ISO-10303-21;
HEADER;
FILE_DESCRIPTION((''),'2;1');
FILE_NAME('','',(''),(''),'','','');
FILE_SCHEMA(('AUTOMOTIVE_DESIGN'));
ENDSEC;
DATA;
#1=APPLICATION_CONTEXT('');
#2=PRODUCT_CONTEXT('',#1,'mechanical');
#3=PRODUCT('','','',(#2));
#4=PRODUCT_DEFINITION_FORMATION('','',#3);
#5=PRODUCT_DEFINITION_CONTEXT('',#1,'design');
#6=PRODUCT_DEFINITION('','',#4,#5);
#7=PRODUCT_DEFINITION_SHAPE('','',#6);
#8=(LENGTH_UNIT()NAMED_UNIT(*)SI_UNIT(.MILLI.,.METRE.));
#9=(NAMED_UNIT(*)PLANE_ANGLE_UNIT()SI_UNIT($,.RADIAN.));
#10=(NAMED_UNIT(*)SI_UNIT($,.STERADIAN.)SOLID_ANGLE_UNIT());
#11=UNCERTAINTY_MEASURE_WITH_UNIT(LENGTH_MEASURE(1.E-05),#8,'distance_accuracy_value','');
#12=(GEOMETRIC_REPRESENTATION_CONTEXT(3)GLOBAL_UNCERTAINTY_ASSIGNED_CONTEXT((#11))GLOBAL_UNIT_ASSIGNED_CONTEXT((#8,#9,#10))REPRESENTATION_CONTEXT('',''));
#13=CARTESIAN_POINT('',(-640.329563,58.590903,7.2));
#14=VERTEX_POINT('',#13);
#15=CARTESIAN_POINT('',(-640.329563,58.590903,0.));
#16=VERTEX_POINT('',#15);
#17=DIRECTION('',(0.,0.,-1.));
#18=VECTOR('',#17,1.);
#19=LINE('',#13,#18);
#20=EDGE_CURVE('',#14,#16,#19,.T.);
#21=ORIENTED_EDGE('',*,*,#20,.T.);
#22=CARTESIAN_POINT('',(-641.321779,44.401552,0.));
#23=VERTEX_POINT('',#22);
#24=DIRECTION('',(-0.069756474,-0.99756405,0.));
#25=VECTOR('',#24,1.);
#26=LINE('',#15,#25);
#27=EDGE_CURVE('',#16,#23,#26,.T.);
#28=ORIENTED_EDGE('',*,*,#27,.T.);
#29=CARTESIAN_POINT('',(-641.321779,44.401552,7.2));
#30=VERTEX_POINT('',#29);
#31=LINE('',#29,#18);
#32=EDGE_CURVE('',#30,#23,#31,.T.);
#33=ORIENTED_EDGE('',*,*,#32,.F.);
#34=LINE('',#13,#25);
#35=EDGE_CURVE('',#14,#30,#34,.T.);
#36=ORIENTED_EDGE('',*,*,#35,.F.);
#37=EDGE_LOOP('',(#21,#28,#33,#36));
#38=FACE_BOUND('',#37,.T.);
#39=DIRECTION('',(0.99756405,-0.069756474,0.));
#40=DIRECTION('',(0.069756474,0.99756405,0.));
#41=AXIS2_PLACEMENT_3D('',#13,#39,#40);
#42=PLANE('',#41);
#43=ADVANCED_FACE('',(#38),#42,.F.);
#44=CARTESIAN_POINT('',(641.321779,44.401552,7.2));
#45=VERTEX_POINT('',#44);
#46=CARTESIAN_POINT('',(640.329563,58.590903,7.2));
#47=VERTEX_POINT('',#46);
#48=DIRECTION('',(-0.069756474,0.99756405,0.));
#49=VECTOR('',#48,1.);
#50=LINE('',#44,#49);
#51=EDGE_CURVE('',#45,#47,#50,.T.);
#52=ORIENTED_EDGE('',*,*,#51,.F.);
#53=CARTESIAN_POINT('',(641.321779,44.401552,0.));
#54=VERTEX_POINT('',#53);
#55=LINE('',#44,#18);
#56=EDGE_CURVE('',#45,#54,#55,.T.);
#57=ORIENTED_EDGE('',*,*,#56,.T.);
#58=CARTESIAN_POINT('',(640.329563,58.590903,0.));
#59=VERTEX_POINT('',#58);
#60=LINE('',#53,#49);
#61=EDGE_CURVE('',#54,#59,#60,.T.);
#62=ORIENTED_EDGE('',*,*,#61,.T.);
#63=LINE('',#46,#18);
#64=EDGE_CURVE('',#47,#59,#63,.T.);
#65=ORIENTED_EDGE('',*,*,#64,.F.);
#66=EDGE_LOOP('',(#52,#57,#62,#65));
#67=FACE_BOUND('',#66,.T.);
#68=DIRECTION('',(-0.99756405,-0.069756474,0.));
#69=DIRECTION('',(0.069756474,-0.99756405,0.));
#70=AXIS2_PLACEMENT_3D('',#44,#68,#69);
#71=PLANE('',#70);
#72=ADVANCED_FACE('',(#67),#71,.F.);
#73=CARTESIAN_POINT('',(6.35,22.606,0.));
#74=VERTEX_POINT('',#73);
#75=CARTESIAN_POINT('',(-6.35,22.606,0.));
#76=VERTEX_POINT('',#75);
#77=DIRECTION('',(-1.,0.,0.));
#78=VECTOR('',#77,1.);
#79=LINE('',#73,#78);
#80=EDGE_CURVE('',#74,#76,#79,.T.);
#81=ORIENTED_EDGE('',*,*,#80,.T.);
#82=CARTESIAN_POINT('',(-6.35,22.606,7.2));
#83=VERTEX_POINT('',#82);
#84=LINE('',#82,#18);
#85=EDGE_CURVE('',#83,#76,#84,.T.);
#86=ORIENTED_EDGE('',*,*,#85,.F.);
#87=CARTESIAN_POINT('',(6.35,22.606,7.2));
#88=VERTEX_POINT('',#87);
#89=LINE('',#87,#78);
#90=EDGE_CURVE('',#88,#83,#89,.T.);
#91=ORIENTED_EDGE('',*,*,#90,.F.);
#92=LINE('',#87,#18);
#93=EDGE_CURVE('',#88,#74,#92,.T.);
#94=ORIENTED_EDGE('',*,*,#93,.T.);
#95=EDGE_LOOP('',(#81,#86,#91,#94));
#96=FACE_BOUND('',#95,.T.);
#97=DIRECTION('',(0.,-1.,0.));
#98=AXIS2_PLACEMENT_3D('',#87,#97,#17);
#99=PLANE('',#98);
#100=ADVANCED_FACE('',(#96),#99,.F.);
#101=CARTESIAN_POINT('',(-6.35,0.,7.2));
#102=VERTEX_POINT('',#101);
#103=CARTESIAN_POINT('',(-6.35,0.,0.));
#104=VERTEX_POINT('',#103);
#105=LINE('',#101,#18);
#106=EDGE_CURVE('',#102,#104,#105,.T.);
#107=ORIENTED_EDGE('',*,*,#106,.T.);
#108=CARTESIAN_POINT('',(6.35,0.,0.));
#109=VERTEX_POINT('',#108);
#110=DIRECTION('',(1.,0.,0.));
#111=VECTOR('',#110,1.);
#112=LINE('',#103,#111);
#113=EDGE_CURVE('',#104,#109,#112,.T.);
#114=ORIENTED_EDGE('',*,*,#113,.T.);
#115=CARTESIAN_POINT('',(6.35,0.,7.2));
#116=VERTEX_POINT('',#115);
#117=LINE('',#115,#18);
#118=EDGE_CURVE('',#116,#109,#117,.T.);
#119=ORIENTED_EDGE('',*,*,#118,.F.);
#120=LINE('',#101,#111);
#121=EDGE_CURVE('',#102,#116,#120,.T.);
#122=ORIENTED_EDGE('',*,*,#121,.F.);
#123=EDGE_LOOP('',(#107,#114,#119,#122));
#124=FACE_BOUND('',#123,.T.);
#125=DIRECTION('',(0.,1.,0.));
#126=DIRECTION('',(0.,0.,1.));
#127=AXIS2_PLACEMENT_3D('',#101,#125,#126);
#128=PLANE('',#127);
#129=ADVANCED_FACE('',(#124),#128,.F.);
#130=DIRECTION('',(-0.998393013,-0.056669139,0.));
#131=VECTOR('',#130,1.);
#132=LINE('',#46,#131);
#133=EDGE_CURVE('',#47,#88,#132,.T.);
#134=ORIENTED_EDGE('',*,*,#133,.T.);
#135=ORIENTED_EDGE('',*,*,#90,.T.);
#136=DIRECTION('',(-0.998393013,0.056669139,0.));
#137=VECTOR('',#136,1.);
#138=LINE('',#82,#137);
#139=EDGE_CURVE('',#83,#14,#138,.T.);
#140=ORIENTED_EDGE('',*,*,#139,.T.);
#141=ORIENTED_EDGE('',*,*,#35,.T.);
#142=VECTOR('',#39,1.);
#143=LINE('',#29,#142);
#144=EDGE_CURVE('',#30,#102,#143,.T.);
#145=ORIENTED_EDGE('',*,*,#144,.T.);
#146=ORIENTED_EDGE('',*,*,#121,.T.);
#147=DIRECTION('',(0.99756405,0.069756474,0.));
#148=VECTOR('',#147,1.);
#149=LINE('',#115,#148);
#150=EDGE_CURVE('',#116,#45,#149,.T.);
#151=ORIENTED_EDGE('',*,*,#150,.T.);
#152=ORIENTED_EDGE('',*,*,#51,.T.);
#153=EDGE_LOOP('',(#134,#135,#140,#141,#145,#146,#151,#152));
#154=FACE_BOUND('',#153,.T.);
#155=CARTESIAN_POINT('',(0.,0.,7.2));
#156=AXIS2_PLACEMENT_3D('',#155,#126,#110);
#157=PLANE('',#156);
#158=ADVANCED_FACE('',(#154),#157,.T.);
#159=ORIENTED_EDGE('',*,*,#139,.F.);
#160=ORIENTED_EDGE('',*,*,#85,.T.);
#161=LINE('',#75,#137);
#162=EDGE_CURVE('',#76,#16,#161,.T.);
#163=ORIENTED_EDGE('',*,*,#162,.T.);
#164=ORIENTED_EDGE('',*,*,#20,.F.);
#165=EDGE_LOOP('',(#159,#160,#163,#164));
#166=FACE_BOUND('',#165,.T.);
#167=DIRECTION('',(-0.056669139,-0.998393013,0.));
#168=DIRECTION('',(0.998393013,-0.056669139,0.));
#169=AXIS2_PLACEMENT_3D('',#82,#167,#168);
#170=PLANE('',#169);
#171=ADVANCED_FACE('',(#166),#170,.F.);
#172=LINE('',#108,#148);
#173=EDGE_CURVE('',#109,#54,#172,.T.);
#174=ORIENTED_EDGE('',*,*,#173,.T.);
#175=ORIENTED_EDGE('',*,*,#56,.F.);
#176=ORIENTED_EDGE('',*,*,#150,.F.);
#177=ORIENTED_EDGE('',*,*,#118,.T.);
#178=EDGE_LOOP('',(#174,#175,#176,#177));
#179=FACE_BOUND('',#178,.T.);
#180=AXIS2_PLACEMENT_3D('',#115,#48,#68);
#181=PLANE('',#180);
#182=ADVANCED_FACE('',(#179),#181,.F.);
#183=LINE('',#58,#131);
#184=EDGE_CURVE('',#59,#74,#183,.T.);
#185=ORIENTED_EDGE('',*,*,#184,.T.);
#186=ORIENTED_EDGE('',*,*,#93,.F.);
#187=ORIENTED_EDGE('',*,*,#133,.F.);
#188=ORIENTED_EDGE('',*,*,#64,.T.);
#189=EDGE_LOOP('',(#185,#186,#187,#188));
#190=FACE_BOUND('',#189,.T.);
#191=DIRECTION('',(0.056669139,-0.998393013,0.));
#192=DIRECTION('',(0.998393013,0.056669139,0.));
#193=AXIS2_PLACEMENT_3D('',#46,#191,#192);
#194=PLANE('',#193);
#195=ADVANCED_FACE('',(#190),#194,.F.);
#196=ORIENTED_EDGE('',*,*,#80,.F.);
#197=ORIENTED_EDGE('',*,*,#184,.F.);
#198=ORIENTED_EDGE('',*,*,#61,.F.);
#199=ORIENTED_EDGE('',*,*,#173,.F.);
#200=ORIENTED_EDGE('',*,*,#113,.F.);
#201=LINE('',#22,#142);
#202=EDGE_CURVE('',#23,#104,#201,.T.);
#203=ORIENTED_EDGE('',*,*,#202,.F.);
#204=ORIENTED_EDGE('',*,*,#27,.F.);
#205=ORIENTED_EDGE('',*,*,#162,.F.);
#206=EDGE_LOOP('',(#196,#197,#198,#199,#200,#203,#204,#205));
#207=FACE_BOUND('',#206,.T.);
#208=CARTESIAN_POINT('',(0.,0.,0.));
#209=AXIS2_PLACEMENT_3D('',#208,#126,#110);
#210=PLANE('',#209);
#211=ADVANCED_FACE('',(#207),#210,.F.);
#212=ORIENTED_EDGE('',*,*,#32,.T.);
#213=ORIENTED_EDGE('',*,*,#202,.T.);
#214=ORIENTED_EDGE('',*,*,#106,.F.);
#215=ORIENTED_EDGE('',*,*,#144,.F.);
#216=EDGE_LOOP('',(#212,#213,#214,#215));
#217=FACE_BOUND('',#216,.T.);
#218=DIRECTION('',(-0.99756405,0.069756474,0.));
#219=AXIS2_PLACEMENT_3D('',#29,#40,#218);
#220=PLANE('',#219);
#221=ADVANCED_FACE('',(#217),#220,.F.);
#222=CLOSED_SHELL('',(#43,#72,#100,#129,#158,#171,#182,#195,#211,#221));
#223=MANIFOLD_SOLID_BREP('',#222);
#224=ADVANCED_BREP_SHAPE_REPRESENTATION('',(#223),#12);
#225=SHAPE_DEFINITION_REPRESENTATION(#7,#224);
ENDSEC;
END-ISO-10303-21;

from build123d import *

# Parameters (mm, degrees)
BOSS_EXTRUDE1_DEPTH = 7.2


with BuildPart() as part:
    # Sketch1 → Boss-Extrude1 (new body)
    with BuildSketch(Plane.XY):
        Polygon((-641.321779426, 44.401552209), (-6.35, 0), (6.35, 0), (641.321779426, 44.401552209), (640.329563344, 58.59090326), (6.35, 22.606), (-6.35, 22.606), (-640.329563344, 58.59090326), align=None)
    extrude(amount=BOSS_EXTRUDE1_DEPTH)


solid = part.part
